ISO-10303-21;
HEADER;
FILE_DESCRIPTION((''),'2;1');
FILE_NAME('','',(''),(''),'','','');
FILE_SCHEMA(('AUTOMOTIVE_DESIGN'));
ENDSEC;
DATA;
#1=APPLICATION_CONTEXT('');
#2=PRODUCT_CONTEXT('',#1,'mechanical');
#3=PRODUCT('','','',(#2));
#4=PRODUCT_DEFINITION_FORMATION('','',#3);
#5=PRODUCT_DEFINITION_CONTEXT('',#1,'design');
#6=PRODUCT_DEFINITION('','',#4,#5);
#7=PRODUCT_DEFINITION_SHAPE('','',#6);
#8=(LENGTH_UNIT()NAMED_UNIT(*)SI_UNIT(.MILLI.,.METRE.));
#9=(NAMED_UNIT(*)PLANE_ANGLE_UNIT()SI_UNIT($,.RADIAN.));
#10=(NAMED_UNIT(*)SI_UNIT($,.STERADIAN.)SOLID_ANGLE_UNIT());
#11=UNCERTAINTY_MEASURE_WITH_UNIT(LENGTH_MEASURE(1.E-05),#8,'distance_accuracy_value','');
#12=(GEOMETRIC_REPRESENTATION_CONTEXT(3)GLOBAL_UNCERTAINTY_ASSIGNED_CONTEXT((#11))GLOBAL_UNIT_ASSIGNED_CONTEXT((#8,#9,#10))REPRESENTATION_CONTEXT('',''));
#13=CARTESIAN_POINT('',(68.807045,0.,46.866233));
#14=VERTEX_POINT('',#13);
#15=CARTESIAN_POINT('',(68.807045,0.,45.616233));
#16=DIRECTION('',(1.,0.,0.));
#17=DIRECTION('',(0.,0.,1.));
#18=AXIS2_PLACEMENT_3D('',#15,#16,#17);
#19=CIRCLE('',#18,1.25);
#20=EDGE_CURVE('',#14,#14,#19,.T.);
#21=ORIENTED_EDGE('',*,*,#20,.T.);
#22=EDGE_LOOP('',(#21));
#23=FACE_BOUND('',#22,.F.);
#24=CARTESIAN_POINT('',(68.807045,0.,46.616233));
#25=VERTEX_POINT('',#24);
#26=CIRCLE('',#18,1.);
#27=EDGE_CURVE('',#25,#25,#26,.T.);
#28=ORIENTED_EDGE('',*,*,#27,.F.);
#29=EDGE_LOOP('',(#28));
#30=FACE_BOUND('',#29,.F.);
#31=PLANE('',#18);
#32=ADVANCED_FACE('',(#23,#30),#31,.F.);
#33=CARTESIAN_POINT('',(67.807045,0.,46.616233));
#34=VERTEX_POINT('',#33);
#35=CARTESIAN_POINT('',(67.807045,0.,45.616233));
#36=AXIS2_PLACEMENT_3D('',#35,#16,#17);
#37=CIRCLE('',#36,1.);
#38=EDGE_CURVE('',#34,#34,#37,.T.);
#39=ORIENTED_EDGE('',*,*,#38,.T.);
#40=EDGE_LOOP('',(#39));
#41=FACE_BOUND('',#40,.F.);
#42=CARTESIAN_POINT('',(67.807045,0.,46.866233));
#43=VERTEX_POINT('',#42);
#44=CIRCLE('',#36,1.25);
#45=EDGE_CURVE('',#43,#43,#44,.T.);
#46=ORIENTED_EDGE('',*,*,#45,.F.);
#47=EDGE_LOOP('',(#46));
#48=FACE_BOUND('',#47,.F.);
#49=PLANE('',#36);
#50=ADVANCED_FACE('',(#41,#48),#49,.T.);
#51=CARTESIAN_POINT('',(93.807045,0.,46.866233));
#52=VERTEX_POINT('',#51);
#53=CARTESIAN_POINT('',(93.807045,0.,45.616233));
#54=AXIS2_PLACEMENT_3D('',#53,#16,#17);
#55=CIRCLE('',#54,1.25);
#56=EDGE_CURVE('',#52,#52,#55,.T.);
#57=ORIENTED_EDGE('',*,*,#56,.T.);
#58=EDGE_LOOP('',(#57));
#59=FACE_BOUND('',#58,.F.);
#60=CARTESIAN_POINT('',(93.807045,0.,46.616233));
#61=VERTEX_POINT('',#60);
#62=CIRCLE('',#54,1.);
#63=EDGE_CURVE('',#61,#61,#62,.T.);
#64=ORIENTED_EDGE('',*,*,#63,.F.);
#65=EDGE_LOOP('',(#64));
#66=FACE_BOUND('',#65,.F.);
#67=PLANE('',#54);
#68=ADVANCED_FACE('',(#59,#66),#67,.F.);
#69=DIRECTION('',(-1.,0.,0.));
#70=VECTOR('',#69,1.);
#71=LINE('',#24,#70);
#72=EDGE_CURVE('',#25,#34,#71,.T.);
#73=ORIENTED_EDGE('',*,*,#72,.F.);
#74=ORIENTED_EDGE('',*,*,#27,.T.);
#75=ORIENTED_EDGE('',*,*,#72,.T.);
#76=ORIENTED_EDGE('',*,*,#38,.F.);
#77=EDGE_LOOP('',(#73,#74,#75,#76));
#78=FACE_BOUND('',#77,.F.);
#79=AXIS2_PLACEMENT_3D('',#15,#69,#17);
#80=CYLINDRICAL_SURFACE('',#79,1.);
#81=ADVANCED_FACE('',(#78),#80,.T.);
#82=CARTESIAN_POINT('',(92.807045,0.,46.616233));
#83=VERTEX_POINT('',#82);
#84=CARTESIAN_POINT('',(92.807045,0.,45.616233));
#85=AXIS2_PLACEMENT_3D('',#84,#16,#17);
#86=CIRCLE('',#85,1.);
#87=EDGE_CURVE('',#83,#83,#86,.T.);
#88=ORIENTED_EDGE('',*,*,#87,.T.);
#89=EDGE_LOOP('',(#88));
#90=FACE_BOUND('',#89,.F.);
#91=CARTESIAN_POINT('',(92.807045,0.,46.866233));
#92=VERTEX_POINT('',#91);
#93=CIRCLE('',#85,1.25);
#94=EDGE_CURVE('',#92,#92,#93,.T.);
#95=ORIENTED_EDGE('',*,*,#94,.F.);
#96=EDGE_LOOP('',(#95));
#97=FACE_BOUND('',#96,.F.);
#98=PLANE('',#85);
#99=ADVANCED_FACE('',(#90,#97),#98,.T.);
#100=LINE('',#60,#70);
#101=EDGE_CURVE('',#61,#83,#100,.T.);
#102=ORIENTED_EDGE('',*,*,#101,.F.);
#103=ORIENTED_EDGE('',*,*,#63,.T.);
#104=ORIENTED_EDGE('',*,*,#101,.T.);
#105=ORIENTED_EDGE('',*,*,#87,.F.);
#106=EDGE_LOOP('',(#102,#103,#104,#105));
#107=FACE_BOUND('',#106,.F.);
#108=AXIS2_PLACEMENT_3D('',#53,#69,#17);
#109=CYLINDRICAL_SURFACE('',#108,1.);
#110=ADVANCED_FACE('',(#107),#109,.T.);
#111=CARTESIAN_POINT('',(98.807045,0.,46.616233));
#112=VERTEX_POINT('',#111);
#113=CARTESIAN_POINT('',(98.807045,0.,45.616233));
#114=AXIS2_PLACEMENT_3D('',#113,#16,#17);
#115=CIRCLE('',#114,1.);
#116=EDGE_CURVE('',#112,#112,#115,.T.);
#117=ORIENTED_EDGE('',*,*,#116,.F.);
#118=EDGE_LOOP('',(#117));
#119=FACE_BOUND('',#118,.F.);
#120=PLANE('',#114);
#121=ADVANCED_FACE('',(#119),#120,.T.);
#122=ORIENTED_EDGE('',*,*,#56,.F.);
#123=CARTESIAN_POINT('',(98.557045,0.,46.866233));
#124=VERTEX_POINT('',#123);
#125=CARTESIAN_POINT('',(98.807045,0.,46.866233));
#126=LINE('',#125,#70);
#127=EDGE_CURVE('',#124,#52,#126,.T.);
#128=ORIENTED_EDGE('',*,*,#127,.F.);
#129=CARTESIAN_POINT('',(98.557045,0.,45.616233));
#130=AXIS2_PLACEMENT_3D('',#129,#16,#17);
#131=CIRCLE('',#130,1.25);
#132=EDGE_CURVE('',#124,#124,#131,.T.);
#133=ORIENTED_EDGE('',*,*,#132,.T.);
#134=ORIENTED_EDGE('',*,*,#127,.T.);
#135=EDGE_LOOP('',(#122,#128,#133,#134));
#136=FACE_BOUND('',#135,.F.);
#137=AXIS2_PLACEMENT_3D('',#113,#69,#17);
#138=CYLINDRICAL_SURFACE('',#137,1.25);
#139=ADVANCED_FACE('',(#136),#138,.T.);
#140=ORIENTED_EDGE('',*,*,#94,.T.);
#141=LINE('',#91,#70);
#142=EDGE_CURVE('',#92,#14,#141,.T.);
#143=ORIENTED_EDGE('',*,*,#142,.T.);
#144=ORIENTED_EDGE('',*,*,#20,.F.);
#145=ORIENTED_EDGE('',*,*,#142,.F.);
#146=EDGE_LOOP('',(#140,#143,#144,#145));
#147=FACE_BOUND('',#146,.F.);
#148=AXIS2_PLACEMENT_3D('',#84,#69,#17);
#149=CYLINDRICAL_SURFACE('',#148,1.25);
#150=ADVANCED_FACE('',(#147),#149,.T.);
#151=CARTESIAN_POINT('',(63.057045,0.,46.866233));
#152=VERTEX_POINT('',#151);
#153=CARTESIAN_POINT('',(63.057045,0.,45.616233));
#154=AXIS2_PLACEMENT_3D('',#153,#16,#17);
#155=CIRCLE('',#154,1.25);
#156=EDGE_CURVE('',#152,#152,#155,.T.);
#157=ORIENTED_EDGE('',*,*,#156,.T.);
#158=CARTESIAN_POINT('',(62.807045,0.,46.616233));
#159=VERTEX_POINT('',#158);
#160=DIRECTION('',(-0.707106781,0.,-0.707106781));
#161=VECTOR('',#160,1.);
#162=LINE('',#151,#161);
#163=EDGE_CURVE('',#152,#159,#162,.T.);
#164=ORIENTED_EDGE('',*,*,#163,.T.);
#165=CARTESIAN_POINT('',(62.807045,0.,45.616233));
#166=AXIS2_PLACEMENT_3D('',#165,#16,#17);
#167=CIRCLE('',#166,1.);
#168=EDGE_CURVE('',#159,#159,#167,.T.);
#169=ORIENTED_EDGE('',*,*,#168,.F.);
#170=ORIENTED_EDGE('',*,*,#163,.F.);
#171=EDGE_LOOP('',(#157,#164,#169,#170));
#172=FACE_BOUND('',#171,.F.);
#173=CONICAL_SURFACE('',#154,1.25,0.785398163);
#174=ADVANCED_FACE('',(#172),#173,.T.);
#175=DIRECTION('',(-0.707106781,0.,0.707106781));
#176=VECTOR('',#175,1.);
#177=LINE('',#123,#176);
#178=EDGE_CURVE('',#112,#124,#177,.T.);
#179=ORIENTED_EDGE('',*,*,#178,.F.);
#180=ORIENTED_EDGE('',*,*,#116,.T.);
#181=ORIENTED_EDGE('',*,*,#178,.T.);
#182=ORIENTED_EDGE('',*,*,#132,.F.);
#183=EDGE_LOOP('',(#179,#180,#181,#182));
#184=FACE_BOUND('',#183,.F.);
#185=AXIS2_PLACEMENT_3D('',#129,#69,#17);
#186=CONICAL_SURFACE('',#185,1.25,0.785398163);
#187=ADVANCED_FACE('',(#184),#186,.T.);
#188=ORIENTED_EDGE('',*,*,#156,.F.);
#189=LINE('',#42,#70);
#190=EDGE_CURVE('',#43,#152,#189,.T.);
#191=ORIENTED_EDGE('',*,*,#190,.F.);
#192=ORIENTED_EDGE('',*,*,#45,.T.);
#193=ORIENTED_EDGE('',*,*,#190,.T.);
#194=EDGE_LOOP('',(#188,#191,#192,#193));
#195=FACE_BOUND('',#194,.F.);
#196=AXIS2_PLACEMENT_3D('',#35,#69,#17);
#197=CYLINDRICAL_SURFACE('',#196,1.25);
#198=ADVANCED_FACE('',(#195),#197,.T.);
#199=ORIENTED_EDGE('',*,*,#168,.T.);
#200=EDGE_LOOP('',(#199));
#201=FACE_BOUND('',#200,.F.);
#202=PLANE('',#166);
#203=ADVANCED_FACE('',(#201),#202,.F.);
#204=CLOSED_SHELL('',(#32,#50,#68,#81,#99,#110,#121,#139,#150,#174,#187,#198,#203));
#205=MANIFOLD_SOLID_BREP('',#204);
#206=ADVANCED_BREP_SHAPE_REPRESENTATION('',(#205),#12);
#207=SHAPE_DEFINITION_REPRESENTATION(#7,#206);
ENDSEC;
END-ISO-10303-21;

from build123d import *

# Parameters (mm, degrees)
F2_SIZE = 0.25


with BuildPart() as f1:
    # F0 (on Front) → F1 (revolve)
    with BuildSketch(Plane.XZ):
        Polygon((80.8070451021, 45.6162330286), (98.8070451021, 45.6162330286), (98.8070451021, 46.8662330286), (93.8070451021, 46.8662330286), (93.8070451021, 46.6162330286), (92.8070451021, 46.6162330286), (92.8070451021, 46.8662330286), (80.8070451021, 46.8662330286), align=None)
        Polygon((62.8070451021, 45.6162330286), (80.8070451021, 45.6162330286), (80.8070451021, 46.8662330286), (68.8070451021, 46.8662330286), (68.8070451021, 46.6162330286), (67.8070451021, 46.6162330286), (67.8070451021, 46.8662330286), (62.8070451021, 46.8662330286), align=None)
    revolve(axis=Axis((89.8070451021, 0, 45.6162330286), (1, 0, 0)))

    # F2
    f2_edges = [f1.edges().sort_by_distance(p)[0] for p in [
        (98.807045, 0, 44.366233),
        (62.807045, 0, 44.366233),
    ]]
    chamfer(f2_edges, length=F2_SIZE)


solid = f1.part
